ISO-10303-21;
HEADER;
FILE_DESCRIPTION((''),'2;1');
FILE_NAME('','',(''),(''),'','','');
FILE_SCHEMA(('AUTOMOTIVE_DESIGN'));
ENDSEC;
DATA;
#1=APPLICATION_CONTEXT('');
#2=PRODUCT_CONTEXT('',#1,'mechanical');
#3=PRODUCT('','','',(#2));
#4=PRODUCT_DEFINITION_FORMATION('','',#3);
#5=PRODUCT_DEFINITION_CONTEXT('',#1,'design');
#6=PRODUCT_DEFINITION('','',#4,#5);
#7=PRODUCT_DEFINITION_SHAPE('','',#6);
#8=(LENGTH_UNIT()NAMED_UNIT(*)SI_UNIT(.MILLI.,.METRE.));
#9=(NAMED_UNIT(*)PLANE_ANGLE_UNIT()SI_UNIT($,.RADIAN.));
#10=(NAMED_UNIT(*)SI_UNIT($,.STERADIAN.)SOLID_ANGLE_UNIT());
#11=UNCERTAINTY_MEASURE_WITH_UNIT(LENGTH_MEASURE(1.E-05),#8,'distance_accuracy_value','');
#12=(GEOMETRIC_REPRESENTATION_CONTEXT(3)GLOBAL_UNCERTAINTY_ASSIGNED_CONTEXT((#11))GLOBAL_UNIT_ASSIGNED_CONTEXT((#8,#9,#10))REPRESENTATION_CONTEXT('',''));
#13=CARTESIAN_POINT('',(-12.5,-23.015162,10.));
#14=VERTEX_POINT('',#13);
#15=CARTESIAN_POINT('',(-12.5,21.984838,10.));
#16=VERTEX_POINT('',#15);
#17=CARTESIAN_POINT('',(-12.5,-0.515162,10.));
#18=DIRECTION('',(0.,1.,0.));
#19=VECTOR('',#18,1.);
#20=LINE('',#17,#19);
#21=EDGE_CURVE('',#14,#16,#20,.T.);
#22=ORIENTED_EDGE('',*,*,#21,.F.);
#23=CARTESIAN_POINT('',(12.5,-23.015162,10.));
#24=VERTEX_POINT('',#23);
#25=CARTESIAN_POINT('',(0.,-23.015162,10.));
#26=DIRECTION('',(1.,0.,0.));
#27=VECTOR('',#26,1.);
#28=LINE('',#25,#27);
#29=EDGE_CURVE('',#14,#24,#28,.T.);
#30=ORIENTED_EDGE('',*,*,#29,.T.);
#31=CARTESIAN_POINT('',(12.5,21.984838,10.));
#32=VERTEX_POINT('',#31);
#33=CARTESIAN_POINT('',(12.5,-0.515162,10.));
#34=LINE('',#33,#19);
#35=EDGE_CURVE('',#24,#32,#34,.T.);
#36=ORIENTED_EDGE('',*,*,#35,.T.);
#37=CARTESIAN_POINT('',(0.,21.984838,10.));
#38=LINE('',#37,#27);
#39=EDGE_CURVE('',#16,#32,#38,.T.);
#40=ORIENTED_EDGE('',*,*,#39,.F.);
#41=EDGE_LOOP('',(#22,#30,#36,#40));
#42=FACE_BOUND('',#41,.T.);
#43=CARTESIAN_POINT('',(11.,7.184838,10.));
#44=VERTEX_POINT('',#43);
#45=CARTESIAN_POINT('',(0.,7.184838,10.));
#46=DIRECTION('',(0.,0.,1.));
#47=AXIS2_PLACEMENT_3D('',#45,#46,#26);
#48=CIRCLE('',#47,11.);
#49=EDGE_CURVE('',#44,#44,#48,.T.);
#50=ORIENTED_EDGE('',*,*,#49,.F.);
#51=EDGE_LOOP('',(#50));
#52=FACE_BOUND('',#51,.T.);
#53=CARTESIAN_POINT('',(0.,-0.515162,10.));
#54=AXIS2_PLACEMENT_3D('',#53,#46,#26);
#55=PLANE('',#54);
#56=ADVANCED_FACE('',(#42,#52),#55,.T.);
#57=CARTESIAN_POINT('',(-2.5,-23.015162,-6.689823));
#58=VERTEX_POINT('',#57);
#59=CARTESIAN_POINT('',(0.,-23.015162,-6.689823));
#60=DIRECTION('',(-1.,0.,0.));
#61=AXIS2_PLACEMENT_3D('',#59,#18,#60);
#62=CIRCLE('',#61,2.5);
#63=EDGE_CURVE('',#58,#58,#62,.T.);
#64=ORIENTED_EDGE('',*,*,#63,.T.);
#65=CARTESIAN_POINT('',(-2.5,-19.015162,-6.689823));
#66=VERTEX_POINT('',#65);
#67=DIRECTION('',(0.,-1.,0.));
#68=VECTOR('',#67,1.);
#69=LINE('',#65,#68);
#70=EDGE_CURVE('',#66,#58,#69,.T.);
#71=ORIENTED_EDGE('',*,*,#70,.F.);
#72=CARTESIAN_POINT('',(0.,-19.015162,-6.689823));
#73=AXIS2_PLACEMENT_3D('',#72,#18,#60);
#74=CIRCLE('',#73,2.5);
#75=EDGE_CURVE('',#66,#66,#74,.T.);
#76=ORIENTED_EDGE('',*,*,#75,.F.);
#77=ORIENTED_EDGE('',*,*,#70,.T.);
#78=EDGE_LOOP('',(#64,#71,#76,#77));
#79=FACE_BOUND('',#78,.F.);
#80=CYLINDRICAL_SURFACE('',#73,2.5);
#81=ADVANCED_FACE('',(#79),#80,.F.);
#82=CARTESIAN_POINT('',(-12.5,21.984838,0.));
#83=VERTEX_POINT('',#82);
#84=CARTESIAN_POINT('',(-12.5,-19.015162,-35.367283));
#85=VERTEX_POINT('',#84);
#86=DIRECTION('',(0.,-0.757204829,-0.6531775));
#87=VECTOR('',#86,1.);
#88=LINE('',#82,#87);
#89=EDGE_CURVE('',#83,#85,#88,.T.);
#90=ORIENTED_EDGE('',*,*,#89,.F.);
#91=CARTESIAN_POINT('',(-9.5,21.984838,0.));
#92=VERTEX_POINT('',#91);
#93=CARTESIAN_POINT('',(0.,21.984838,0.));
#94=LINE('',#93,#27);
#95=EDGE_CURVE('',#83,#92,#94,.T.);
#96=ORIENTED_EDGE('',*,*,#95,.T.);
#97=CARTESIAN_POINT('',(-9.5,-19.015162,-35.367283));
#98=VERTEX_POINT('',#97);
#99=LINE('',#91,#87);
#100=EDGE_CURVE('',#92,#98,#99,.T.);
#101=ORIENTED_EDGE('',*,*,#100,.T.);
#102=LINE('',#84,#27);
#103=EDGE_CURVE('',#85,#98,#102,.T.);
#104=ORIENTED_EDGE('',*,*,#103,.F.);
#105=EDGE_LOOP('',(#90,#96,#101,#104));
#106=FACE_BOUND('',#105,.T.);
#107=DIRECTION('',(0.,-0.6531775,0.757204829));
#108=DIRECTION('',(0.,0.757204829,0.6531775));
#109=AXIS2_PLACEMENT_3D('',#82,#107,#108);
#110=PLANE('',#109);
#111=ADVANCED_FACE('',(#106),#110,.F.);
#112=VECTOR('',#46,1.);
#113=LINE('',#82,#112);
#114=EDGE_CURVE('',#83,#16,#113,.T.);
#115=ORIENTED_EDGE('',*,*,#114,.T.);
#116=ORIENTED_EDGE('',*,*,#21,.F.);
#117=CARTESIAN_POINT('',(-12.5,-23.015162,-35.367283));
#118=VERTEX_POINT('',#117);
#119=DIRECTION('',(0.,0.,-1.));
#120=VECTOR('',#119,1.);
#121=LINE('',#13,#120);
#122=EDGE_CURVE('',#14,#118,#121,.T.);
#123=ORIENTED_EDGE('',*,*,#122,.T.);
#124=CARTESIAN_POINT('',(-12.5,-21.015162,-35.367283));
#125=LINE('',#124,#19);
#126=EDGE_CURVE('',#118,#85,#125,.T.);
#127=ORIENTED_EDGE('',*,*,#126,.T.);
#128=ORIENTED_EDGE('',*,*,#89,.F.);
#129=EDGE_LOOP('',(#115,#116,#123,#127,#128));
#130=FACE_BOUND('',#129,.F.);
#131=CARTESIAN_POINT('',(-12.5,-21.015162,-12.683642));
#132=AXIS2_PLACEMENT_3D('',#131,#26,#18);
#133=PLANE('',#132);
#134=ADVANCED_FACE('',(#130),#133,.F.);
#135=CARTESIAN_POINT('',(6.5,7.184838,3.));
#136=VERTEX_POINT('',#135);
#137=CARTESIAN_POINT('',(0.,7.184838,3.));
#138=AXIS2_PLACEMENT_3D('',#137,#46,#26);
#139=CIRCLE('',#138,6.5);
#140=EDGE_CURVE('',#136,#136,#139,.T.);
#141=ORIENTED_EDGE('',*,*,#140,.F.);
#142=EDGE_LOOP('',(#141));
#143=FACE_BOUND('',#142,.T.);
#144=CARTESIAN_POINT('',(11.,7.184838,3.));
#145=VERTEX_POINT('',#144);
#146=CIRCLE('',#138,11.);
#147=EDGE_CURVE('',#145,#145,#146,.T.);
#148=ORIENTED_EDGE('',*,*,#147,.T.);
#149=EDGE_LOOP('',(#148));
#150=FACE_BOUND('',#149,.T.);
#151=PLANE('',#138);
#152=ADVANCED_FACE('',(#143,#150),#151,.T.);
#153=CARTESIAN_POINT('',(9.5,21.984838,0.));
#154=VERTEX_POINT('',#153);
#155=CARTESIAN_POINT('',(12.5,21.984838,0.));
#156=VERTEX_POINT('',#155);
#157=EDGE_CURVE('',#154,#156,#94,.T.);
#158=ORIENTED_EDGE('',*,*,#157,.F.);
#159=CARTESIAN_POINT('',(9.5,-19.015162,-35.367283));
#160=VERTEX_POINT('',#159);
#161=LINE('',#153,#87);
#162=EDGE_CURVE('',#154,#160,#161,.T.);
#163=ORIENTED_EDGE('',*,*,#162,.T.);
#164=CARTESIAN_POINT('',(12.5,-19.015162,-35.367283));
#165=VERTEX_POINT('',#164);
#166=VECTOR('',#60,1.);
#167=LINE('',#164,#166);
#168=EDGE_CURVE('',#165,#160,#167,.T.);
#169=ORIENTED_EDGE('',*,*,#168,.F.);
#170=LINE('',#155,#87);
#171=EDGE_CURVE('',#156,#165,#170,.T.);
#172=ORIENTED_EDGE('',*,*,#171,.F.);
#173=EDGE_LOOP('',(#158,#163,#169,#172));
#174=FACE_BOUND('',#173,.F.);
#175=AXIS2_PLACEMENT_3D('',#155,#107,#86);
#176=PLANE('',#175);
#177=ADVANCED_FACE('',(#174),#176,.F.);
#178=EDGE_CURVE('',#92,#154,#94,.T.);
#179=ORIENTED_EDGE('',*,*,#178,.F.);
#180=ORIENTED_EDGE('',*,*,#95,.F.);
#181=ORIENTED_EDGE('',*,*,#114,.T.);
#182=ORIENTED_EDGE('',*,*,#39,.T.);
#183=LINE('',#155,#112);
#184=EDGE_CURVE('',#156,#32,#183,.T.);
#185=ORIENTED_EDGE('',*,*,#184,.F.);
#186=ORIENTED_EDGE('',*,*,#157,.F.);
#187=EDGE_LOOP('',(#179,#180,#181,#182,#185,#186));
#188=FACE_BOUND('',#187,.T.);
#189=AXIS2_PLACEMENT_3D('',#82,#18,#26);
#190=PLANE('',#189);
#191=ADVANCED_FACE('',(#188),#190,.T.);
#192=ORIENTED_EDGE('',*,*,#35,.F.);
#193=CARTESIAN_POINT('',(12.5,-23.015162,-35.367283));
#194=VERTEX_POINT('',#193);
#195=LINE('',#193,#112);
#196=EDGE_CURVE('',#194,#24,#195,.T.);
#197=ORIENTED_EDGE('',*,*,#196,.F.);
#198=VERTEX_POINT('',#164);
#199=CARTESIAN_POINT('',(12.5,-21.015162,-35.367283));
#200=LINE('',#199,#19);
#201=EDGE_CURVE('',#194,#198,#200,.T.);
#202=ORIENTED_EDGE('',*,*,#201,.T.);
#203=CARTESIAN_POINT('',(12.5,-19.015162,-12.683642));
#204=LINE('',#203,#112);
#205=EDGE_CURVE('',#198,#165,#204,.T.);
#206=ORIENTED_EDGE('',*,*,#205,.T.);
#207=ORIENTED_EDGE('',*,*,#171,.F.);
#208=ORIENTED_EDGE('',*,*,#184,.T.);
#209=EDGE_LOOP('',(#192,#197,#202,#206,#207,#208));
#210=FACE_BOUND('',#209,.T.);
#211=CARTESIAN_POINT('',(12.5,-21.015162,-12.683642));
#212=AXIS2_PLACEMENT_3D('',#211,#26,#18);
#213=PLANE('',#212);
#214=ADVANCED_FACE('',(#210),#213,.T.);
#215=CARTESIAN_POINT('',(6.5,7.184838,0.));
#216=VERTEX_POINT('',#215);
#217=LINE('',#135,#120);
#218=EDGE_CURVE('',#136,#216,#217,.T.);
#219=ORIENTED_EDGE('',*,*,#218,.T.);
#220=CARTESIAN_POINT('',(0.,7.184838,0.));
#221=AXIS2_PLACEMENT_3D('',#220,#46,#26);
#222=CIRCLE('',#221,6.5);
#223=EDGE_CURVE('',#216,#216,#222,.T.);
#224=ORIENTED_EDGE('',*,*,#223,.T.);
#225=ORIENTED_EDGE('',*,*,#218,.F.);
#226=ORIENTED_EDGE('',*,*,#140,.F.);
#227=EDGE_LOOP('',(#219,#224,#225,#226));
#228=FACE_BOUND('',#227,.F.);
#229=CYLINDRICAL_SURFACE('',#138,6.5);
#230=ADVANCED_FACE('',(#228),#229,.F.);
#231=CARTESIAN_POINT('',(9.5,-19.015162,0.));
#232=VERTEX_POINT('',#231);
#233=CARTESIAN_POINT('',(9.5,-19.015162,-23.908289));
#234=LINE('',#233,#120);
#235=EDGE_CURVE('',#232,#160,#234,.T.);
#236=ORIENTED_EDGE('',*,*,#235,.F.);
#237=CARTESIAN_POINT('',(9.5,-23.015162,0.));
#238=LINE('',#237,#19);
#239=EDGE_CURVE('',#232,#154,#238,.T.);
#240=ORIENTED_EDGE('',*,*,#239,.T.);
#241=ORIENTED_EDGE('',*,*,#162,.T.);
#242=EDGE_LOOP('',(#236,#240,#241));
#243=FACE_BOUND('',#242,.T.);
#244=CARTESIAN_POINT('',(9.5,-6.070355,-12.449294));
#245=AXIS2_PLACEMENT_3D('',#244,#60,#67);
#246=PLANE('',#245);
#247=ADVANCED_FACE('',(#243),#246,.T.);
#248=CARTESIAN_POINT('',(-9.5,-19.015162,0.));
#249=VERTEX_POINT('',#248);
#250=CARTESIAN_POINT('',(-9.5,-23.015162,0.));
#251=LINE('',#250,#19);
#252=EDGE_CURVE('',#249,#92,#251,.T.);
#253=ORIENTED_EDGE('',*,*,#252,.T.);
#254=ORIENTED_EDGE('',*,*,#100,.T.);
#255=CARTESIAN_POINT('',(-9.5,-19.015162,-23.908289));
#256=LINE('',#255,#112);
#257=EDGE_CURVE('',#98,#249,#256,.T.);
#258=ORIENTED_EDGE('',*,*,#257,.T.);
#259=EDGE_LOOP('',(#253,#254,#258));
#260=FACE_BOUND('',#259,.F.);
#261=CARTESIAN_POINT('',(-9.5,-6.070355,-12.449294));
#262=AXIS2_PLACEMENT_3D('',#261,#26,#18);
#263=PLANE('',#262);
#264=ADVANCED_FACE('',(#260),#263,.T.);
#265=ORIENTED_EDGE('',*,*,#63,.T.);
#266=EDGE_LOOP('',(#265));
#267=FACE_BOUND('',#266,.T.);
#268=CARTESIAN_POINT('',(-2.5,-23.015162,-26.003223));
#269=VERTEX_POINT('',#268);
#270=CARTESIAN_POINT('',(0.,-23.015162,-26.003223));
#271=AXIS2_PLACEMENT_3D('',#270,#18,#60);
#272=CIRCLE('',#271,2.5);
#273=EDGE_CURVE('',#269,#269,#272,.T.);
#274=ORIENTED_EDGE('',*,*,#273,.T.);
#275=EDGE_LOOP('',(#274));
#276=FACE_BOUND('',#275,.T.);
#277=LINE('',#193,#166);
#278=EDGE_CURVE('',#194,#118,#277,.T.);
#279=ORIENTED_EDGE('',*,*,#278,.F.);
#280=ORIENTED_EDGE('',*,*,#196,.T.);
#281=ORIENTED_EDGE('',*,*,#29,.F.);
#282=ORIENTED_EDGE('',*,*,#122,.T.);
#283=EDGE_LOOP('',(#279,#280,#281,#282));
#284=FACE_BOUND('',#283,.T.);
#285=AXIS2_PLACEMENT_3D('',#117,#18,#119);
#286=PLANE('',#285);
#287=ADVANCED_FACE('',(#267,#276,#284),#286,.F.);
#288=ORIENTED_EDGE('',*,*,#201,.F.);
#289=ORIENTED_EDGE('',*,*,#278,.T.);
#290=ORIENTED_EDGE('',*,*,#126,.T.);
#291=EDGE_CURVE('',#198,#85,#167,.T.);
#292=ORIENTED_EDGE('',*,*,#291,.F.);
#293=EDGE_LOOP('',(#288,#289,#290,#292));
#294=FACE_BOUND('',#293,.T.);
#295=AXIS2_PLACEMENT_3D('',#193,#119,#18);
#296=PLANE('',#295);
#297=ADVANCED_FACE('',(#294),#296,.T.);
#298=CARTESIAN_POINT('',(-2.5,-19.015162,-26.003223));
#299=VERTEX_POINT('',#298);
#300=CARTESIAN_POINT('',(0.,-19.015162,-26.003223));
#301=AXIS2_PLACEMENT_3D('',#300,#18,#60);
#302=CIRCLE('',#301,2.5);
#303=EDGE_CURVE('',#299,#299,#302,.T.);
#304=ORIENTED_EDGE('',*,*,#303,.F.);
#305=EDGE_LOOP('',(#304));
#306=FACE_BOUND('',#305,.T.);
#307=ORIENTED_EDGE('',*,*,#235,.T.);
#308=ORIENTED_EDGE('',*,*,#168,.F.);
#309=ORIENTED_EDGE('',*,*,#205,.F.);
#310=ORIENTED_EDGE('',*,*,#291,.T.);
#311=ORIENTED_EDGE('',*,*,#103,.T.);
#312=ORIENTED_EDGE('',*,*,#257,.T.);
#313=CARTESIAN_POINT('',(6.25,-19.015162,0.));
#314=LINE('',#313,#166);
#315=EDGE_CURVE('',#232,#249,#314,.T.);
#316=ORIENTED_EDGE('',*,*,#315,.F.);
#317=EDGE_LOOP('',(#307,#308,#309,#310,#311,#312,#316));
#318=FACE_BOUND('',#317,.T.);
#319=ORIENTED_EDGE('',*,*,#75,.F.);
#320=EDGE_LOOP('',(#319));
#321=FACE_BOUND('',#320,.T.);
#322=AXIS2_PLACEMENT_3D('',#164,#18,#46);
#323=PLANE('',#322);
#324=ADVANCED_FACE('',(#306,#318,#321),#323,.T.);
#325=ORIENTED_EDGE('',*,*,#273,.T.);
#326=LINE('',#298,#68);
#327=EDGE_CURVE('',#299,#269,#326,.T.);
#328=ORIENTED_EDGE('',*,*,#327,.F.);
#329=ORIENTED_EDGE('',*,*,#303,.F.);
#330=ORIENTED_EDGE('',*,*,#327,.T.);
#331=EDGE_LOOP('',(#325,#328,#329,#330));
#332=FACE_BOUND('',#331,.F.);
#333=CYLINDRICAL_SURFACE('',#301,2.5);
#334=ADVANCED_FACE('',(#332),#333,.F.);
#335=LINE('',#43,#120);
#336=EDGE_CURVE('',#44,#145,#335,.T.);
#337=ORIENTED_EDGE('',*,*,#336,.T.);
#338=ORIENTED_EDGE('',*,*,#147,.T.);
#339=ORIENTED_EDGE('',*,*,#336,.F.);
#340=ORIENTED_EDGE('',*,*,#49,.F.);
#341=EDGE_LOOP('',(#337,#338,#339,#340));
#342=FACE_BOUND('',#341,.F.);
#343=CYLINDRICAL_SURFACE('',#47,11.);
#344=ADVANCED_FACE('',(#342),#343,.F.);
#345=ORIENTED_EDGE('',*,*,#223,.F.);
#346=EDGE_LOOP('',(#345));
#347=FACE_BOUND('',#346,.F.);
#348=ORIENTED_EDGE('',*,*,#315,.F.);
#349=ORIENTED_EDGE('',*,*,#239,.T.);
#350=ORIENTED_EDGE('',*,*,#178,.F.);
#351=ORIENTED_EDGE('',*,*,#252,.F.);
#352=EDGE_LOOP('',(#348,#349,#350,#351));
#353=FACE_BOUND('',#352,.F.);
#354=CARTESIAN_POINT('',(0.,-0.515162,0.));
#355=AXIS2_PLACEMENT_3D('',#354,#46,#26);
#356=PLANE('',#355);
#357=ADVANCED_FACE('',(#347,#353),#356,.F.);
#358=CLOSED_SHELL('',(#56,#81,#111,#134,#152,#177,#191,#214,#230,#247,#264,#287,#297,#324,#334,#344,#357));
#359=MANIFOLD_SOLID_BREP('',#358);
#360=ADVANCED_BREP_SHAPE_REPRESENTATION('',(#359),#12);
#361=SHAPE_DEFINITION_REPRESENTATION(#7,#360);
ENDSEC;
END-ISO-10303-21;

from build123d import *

# Parameters (mm, degrees)
SKETCH_W        = 25
SKETCH_H        = 45
PAD_DEPTH       = 10
SKETCH001_R     = 11
POCKET_DEPTH    = 7
PAD001_DEPTH    = 3
SKETCH005_W     = 4
SKETCH005_H     = 45.367283
PAD002_DEPTH    = 25
SKETCH003_R     = 6.5
POCKET001_DEPTH = 5
SKETCH007_R     = 2.5
POCKET002_DEPTH = 5


with BuildPart() as part:
    # Sketch → Pad (new body)
    with BuildSketch(Plane.XY):
        with Locations((0, -0.515162)):
            Rectangle(SKETCH_W, SKETCH_H)
    extrude(amount=PAD_DEPTH)

    # Sketch001 (on Face6 of Pad) → Pocket (cut)
    with BuildSketch(Plane.XY.offset(10)):
        with Locations((0, 7.184838)):
            Circle(SKETCH001_R)
    extrude(amount=-POCKET_DEPTH, mode=Mode.SUBTRACT)

    # Sketch004 (on Face3 of Pocket) → Pad001 (join)
    with BuildSketch(Plane.YZ.offset(12.5)):
        Polygon((-23.015162, 0), (21.984838, 0), (-19.015162, -35.367283), (-23.015162, -35.367283), align=None)
    pad001 = extrude(amount=-PAD001_DEPTH)

    # Sketch005 (on Face8 of Pad001) → Pad002 (join)
    with BuildSketch(Plane.YZ.offset(12.5)):
        with Locations((-21.015162, -12.683642)):
            Rectangle(SKETCH005_W, SKETCH005_H)
    extrude(amount=-PAD002_DEPTH)

    # Mirrored: Pad001 across YZ
    add(pad001.mirror(Plane.YZ))

    # Sketch003 (on Face8 of Pocket) → Pocket001 (cut)
    with BuildSketch(Plane.XY.offset(3)):
        with Locations((0, 7.184838)):
            Circle(SKETCH003_R)
    extrude(amount=-POCKET001_DEPTH, mode=Mode.SUBTRACT)

    # Sketch007 (on Face15 of Pocket001) → Pocket002 (cut)
    with BuildSketch(Plane(origin=(0, -19.015162, 0), x_dir=(-1, 0, 0), z_dir=(0, 1, 0))):
        with Locations((0, -6.689823)):
            Circle(SKETCH007_R)
        with Locations((0, -26.003223)):
            Circle(SKETCH007_R)
    extrude(amount=-POCKET002_DEPTH, mode=Mode.SUBTRACT)


solid = part.part
